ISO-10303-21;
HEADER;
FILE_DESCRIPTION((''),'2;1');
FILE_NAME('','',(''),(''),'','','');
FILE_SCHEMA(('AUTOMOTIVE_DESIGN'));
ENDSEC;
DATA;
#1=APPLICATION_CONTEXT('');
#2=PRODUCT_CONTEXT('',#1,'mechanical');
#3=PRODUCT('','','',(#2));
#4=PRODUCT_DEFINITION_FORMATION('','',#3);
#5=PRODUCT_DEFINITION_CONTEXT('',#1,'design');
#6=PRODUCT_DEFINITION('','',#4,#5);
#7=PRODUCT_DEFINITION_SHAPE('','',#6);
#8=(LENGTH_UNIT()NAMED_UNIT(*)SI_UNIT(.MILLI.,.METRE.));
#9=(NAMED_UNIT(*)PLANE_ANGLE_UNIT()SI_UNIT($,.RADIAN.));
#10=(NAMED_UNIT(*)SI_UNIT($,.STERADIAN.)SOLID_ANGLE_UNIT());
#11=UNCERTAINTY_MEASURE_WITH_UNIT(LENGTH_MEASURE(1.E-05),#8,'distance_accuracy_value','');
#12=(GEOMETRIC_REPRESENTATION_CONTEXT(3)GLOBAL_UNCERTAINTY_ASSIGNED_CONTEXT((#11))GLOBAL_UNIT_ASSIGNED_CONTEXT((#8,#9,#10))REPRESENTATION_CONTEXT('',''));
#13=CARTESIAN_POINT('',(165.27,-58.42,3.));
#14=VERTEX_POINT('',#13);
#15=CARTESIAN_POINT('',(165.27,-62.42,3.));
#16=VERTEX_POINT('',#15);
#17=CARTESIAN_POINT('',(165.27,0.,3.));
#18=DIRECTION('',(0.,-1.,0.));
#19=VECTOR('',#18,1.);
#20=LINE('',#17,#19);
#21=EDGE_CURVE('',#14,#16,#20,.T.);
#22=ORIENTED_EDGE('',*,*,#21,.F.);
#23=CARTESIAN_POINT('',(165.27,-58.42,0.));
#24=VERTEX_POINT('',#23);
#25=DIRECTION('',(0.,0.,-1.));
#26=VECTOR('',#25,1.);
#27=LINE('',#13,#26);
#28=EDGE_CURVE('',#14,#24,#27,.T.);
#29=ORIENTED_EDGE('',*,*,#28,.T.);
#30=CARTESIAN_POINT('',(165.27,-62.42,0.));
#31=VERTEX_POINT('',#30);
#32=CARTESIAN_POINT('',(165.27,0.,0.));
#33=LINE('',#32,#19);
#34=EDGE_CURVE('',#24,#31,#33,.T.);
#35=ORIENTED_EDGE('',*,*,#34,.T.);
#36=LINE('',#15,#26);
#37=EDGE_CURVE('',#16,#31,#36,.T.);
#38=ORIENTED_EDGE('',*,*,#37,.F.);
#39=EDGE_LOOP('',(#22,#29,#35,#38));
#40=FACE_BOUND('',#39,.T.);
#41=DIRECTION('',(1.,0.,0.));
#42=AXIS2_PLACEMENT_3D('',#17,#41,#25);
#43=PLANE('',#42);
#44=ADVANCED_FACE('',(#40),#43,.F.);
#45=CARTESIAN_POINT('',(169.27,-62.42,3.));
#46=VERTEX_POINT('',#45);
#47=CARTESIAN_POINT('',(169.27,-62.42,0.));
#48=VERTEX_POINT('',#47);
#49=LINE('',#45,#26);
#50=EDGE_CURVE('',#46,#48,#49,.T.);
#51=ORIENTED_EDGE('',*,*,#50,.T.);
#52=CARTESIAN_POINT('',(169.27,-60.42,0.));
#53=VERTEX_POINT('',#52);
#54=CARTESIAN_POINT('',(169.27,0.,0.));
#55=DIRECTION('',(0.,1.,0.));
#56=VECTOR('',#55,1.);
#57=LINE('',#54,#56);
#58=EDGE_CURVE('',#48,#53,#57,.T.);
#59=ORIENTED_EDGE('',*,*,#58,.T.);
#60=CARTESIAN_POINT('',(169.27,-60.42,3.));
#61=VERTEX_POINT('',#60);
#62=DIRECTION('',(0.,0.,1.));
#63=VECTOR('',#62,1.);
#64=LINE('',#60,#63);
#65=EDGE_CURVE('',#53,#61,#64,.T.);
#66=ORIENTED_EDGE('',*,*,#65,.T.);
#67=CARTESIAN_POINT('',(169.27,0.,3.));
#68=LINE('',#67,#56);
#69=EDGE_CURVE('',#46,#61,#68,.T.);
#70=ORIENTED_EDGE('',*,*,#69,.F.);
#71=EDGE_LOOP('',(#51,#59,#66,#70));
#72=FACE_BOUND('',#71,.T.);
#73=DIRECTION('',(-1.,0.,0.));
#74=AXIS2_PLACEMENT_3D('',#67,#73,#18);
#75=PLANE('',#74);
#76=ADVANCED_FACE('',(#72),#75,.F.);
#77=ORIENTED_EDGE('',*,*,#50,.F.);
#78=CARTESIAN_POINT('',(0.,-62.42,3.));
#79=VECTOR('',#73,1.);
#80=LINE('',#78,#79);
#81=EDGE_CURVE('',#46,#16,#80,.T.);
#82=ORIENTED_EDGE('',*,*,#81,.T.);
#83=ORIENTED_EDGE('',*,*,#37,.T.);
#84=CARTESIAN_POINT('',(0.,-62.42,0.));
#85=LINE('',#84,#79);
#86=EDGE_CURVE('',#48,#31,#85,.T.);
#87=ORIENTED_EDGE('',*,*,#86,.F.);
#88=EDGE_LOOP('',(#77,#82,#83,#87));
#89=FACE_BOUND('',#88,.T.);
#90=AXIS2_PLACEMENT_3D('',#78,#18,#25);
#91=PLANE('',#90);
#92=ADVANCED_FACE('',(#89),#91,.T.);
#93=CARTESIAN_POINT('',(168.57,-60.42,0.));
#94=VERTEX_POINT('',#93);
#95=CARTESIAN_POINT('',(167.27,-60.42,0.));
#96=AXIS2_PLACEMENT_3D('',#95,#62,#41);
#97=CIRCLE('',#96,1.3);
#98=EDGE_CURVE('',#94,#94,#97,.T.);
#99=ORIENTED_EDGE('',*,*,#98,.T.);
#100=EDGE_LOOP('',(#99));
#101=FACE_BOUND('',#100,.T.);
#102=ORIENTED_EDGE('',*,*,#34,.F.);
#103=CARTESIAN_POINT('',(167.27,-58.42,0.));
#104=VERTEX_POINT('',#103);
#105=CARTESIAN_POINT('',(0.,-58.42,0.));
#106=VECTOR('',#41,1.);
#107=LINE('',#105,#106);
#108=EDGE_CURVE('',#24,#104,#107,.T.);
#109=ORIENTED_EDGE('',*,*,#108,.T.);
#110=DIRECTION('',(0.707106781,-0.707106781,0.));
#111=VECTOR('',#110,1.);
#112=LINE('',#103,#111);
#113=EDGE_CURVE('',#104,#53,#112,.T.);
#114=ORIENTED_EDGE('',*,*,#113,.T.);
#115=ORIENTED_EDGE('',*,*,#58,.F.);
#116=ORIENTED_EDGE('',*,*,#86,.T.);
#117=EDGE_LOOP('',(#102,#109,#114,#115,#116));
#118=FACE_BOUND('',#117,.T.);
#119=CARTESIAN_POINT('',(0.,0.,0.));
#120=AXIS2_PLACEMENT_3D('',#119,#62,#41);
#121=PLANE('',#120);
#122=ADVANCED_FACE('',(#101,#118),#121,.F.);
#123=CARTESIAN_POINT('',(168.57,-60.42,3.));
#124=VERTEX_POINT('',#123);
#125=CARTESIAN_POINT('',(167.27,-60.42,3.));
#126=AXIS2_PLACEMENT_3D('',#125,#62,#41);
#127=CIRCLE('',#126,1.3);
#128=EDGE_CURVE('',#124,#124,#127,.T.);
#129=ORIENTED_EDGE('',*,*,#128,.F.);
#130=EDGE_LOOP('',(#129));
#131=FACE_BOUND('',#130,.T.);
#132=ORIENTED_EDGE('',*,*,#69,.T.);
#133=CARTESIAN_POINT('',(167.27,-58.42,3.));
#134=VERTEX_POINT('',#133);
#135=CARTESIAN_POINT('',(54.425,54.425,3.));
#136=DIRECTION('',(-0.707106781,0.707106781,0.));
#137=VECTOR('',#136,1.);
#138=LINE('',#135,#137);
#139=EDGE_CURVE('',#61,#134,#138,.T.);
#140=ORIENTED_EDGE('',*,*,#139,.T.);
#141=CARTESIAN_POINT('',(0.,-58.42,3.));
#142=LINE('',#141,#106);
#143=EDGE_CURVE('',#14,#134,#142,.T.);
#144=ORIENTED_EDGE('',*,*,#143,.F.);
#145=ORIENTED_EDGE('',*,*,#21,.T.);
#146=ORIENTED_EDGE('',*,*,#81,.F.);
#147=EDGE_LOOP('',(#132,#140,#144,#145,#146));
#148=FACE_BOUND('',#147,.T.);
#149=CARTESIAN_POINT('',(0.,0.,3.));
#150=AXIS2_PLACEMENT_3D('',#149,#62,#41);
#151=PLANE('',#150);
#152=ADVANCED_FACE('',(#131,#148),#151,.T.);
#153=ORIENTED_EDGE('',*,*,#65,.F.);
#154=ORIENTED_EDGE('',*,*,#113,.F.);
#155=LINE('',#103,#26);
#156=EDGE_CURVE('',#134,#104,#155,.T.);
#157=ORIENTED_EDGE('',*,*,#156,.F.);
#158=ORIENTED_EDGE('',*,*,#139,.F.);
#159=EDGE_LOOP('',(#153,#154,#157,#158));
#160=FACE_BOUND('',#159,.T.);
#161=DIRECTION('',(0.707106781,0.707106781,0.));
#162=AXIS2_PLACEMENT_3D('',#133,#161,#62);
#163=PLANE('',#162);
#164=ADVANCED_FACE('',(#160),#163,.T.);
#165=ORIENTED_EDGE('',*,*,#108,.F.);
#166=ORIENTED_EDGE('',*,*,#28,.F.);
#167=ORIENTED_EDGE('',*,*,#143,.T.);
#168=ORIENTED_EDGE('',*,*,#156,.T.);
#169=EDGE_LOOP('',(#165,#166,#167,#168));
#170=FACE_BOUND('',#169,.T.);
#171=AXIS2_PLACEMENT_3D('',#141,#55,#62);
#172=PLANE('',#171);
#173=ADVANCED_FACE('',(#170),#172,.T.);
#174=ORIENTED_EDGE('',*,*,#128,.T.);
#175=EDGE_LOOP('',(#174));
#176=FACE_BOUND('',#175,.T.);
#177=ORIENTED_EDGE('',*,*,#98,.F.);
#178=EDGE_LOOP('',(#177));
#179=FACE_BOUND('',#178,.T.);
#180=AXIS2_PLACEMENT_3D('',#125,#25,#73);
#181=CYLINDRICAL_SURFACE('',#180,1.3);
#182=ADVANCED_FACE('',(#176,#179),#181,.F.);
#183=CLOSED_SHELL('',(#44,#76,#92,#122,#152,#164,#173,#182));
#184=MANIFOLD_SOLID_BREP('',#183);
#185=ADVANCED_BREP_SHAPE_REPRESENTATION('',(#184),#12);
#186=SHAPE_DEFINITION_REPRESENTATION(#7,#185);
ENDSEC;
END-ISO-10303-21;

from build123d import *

# Parameters (mm, degrees)
SKETCH1_W           = 4
SKETCH1_H           = 4
SKETCH1_R           = 1.3
BOSS_EXTRUDE1_DEPTH = 3
CHAMFER1_SIZE       = 2


with BuildPart() as part:
    # Sketch1 → Boss-Extrude1 (new body)
    with BuildSketch(Plane.XY):
        with Locations((167.269999999, -60.420000001)):
            Rectangle(SKETCH1_W, SKETCH1_H)
        with Locations((167.269999999, -60.420000001)):
            Circle(SKETCH1_R, mode=Mode.SUBTRACT)
    extrude(amount=BOSS_EXTRUDE1_DEPTH)

    # Chamfer1
    chamfer1_edges = [part.edges().sort_by_distance(p)[0] for p in [
        (169.269999999, -58.420000001, 1.5),
    ]]
    chamfer(chamfer1_edges, length=CHAMFER1_SIZE)


solid = part.part
